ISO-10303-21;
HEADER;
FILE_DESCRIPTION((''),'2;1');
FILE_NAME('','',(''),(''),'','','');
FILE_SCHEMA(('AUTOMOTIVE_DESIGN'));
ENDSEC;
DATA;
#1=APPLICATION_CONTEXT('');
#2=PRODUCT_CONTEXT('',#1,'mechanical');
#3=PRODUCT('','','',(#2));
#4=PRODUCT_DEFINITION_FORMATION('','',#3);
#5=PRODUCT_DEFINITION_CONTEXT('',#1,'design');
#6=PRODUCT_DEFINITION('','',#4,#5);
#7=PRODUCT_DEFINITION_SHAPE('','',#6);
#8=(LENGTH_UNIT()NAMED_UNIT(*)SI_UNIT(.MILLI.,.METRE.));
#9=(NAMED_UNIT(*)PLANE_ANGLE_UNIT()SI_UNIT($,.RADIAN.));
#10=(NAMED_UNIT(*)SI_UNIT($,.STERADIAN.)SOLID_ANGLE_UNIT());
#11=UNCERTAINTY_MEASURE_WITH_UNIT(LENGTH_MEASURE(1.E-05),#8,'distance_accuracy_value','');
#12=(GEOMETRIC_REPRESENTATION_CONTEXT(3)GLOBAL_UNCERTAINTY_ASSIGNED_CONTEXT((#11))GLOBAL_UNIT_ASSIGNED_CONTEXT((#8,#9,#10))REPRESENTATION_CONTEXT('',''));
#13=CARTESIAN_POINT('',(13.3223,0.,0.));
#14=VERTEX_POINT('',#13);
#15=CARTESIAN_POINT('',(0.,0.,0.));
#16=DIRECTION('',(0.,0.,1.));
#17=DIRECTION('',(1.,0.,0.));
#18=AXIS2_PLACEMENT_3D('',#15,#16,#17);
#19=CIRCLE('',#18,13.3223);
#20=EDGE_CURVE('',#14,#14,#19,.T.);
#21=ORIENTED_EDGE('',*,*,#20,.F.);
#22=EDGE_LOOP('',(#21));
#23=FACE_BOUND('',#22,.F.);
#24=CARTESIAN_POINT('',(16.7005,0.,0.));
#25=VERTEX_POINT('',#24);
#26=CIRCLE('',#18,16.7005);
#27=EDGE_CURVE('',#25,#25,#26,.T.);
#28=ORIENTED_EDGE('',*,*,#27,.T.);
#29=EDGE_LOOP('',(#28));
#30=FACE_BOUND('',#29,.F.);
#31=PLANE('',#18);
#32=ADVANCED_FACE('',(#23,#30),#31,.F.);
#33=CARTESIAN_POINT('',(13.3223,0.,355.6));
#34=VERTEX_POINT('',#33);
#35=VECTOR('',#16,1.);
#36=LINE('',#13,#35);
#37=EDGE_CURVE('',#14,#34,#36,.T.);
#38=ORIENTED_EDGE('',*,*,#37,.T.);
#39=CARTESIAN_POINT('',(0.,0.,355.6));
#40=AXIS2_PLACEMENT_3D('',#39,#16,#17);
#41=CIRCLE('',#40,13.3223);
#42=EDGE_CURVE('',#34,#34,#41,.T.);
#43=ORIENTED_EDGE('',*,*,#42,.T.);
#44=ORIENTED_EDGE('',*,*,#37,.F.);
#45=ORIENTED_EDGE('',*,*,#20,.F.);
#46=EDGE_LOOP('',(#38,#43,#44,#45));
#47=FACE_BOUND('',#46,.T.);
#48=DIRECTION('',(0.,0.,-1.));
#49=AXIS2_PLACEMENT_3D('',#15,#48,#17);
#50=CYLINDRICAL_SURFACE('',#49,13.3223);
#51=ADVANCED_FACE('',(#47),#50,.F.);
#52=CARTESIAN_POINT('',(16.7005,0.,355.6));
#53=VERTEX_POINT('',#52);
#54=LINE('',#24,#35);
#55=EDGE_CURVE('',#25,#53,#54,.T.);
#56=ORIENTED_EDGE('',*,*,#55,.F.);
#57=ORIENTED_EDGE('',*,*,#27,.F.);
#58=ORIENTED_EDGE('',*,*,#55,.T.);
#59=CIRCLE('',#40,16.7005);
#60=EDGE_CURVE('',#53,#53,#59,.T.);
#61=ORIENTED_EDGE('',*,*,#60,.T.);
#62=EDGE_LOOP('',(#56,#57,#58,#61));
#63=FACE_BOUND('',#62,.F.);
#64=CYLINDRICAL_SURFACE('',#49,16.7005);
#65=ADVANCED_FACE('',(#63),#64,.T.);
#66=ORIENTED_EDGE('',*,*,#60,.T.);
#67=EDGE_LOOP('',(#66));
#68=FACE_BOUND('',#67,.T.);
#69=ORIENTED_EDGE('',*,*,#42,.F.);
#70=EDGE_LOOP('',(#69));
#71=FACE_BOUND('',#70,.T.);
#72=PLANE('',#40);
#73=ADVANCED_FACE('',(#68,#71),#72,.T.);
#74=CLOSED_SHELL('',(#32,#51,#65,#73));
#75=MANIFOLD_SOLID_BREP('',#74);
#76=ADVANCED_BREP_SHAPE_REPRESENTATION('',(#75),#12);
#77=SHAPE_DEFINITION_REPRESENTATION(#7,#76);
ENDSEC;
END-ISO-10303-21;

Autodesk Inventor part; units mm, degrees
ref_plane "YZ Plane" through (0, 0, 0) normal (1, 0, 0) x (0, 1, 0)
ref_plane "Start plane" through (0, 0, 0) normal (0, 0, 1) x (1, 0, 0)
ref_plane "End plane" through (0, 0, 355.6) normal (0, 0, 1) x (1, 0, 0)
sketch "Sketch" plane through (0, 0, 0) normal (0, 0, 1) x (1, 0, 0)
  circle A0 centre (0, 0) radius 13.3223
  circle A1 centre (0, 0) radius 16.7005
  dimension "d0" = 33.401
  dimension "d1" = 3.3782
extrude "Body" add sketch "Sketch" along normal up to surface (355.6 mm away) from surface at 0
sketch "Sketch3" plane through (0, 0, 0) normal (0, 0, 1) x (1, 0, 0)
  line L0 (0, 0) -> (10, 0)
ref_plane "Work Plane3" through (0, 0, 0) normal (0, -1, 0) x (1, 0, 0)
sketch "Sketch4" plane through (0, 0, 0) normal (0, -1, 0) x (1, 0, 0)
  line L0 (-2, 0) -> (12, 0)
  line L1 (-2, 355.6) -> (12, 355.6)
  dimension "d7" = 355.6
equation "\"d0\" = G_H"
equation "\"d1\" = G_T"
equation "\"d2\" = G_L"
equation "\"G_H\" = 33.401"
equation "\"G_T\" = 3.3782"
equation "\"G_L\" = d7"
equation "\"G_OFFSET_START\" = 0"
equation "\"G_OFFSET_END\" = 0"
equation "\"d5\" = G_OFFSET_END + B_L"
equation "\"B_L\" = 355.6"
properties part number "ANSI - 1 x 0.133 - 14" material "Aluminum 6061"
